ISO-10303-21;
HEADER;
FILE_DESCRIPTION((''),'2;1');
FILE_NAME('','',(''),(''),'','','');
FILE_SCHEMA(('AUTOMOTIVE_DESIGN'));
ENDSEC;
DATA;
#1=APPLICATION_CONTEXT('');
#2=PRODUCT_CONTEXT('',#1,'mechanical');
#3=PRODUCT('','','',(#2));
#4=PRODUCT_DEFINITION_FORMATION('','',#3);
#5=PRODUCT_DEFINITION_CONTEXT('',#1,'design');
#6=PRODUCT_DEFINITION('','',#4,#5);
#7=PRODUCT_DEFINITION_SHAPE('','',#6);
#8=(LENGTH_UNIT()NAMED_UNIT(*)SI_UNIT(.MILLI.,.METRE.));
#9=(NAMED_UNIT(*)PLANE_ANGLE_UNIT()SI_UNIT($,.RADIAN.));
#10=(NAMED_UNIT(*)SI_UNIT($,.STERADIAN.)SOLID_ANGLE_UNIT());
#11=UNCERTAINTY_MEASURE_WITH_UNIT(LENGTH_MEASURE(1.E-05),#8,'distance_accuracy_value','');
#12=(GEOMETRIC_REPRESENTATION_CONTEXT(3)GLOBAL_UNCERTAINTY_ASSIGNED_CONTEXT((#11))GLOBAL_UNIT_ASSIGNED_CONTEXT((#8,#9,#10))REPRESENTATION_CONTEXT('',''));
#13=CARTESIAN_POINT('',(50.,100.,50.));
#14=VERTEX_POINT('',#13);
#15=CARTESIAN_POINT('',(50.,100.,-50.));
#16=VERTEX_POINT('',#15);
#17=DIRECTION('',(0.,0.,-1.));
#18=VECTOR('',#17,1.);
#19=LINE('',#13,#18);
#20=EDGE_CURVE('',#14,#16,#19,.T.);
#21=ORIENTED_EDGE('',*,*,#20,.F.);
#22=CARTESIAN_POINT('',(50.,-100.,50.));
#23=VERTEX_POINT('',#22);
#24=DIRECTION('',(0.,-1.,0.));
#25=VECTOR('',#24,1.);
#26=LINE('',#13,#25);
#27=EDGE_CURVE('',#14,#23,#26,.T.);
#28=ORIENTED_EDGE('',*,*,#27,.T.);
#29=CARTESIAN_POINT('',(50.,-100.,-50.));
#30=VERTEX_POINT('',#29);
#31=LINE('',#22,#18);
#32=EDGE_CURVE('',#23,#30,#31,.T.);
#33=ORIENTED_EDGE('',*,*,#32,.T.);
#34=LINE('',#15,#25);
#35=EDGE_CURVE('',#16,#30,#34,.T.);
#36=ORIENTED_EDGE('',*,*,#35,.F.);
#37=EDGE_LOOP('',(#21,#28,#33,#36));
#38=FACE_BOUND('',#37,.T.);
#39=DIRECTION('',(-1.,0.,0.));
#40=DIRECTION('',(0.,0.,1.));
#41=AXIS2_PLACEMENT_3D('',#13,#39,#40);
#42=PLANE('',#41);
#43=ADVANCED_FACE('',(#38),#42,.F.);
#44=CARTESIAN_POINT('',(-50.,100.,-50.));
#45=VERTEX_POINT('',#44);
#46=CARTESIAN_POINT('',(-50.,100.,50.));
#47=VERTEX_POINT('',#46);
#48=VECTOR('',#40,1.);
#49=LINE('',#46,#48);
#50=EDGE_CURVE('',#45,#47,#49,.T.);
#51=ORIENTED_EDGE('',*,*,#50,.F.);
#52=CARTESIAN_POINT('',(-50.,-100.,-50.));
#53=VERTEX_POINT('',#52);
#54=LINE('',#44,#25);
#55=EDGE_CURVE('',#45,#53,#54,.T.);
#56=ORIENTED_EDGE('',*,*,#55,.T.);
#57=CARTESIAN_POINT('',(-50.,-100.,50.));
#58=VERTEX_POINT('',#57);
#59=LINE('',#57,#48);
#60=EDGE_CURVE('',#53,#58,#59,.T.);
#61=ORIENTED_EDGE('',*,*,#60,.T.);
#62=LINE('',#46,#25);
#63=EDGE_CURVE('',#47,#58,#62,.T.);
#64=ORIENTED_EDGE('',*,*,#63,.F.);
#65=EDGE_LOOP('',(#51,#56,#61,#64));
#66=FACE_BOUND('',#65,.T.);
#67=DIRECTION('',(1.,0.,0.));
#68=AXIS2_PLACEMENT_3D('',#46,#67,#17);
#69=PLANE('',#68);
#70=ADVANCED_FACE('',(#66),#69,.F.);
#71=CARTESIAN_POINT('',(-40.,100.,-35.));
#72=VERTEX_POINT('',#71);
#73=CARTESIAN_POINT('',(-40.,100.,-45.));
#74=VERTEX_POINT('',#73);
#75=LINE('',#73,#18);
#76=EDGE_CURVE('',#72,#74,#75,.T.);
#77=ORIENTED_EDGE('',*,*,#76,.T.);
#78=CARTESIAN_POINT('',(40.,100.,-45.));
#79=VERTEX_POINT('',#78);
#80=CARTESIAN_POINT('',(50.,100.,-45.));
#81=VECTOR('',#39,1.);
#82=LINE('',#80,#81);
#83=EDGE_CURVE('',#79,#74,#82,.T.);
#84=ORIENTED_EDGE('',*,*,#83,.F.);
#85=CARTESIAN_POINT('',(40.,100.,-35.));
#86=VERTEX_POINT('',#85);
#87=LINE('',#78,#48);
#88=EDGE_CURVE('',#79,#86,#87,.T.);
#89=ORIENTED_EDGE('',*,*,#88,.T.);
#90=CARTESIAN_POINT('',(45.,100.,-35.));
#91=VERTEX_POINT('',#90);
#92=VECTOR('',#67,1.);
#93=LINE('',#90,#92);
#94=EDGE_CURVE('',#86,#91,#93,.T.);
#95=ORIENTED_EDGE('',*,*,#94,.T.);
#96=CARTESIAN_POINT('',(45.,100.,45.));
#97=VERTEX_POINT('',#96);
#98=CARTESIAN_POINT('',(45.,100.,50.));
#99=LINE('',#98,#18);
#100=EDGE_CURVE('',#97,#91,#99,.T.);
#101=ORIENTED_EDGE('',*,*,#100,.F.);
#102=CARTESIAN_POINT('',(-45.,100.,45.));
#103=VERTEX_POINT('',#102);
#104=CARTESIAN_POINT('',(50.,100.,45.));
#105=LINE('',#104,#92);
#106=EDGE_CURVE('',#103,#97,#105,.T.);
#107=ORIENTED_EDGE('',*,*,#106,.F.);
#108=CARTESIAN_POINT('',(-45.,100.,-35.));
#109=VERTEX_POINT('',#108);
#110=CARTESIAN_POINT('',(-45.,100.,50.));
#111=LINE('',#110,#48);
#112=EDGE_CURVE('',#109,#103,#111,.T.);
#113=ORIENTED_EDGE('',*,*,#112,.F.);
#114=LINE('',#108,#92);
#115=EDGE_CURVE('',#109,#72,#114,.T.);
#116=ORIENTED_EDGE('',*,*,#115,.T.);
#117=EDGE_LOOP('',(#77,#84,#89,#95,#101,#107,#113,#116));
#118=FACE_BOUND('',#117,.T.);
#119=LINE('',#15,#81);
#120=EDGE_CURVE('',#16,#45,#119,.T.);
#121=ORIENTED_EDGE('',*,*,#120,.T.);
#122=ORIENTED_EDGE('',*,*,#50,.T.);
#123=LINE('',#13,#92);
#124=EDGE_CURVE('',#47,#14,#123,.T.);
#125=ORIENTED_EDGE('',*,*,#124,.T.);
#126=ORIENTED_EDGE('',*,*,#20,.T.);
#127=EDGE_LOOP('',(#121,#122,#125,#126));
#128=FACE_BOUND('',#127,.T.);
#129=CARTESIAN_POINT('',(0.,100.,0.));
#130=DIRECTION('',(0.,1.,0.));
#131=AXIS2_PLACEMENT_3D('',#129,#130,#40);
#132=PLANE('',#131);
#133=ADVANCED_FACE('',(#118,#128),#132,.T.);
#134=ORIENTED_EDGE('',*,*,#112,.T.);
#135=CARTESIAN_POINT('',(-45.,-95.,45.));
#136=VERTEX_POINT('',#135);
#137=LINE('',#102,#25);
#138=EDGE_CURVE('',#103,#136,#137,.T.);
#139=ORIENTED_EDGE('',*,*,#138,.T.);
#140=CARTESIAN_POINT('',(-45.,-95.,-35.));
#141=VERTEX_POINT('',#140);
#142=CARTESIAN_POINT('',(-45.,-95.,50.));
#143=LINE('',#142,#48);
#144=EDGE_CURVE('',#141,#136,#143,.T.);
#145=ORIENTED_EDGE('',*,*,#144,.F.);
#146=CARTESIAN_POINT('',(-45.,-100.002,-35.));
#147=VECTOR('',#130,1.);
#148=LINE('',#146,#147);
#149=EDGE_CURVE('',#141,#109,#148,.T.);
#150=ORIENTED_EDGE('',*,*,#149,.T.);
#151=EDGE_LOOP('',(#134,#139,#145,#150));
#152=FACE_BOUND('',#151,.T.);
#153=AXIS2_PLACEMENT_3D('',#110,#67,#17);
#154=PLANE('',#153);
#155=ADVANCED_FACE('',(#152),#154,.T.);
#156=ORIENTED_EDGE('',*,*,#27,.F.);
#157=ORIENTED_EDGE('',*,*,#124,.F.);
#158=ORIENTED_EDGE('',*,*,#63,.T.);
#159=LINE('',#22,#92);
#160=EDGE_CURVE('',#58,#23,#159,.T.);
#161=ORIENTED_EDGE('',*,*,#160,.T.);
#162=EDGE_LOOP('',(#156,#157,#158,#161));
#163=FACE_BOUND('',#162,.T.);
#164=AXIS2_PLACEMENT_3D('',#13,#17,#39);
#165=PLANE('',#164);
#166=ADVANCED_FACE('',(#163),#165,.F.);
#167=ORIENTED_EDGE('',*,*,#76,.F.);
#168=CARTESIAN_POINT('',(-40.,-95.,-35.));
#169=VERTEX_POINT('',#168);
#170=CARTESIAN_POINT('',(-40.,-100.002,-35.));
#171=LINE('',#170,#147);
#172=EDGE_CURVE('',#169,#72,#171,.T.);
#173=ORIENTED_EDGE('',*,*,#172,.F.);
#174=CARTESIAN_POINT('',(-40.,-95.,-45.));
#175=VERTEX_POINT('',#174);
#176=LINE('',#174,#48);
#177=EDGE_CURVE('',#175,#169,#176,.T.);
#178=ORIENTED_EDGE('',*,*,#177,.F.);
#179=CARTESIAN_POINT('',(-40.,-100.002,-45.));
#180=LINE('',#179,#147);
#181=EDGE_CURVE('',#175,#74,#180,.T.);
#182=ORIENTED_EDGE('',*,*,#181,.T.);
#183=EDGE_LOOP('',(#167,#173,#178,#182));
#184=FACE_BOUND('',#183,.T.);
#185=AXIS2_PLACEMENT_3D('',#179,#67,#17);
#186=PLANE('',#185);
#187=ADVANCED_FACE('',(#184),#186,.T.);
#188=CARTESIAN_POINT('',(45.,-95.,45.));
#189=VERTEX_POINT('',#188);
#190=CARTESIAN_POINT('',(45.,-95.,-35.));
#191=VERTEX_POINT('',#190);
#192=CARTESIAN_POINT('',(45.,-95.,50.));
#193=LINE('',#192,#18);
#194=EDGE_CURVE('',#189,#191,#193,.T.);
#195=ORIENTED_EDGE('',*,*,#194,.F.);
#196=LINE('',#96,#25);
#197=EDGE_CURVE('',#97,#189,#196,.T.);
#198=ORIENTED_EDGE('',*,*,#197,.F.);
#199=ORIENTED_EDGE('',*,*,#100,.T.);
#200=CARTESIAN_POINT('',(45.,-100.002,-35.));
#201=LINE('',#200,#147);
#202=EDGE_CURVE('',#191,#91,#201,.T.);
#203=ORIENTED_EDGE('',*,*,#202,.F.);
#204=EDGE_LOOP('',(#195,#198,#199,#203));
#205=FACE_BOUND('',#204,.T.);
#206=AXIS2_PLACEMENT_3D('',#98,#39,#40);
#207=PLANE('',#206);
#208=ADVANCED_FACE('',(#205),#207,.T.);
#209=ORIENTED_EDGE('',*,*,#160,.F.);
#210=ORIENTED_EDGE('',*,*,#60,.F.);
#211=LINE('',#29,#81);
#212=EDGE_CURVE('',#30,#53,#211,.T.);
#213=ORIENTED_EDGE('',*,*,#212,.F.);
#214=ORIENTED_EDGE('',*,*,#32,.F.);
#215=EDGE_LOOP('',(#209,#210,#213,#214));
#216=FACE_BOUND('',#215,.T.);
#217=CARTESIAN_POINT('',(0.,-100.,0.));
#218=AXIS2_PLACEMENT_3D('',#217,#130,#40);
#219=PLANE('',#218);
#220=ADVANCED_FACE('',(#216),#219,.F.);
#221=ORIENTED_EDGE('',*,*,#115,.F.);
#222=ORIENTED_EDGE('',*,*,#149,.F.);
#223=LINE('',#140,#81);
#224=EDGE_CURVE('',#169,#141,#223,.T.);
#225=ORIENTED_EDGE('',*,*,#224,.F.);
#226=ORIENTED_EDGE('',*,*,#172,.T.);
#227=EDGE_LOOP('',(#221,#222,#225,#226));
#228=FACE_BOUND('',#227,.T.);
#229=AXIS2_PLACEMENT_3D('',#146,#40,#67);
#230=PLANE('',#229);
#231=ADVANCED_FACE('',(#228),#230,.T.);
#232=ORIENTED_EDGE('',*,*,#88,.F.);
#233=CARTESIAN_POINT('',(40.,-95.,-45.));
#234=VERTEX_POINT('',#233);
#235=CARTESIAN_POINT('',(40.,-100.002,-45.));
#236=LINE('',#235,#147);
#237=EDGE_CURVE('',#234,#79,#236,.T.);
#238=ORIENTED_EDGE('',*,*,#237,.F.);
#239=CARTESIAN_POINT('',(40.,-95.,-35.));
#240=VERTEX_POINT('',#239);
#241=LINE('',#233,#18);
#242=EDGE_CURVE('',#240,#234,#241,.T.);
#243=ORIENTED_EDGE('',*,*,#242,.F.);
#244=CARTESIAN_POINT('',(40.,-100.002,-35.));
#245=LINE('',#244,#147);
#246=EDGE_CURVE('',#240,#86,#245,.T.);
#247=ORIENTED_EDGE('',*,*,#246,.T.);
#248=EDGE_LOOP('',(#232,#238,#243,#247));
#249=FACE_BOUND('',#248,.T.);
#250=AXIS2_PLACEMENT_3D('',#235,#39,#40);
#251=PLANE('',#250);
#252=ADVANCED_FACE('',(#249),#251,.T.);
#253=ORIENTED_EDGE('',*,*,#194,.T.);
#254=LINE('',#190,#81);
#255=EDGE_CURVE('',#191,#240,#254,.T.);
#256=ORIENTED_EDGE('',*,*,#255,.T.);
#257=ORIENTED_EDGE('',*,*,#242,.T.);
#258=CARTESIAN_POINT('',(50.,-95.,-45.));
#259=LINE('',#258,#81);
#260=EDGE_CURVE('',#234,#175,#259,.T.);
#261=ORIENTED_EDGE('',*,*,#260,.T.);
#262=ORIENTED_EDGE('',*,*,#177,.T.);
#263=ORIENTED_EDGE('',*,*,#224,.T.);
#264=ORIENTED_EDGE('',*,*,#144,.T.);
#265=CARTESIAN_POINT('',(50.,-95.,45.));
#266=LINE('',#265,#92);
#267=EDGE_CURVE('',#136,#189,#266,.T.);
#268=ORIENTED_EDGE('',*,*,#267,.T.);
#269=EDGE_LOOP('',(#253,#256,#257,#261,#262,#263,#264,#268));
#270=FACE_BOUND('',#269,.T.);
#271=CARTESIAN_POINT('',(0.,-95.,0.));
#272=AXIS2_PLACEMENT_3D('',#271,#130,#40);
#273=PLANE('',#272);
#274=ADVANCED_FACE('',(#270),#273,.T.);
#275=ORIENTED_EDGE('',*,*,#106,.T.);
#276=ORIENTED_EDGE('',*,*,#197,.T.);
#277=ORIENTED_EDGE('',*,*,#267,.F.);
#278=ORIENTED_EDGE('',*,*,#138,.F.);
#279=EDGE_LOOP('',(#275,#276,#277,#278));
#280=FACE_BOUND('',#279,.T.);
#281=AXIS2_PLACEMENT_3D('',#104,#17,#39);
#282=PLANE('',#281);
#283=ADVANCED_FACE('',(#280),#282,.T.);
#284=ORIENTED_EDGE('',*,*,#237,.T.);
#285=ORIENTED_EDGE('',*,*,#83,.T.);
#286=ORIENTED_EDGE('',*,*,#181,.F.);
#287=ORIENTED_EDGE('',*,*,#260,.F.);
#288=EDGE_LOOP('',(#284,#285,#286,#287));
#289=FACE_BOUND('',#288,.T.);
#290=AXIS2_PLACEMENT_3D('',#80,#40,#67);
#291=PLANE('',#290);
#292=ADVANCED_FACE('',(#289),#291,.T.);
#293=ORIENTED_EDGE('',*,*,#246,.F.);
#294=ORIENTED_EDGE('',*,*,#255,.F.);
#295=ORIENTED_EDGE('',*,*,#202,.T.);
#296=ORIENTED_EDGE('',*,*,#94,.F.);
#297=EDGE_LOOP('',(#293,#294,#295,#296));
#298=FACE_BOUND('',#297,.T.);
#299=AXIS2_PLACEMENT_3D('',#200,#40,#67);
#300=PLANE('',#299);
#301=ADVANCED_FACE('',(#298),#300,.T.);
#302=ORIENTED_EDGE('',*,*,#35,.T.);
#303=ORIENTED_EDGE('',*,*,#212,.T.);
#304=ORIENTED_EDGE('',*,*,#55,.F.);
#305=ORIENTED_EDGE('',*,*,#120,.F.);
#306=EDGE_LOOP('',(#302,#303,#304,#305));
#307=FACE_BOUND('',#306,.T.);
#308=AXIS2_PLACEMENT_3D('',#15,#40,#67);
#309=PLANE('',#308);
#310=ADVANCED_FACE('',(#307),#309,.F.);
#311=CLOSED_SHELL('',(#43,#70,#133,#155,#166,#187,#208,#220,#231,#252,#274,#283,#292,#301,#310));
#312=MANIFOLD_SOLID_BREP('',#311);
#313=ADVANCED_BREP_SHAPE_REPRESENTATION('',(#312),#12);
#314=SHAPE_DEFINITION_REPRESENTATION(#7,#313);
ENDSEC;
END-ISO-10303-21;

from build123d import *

# Parameters (mm, degrees)
SKETCH1_W           = 100
SKETCH1_H           = 100
BOSS_EXTRUDE1_DEPTH = 100
SHELL1_T            = -5
BOSS_EXTRUDE2_REACH = 214.132
SKETCH2_W           = 5
SKETCH2_H           = 10


with BuildPart() as part:
    # Sketch1 → Boss-Extrude1 (new, symmetric)
    with BuildSketch(Plane(origin=(0, 0, 0), x_dir=(-1, 0, 0), z_dir=(0, 1, 0))):
        Rectangle(SKETCH1_W, SKETCH1_H)
    extrude(amount=BOSS_EXTRUDE1_DEPTH, both=True)

    # Shell1
    shell1_openings = [part.faces().sort_by_distance(p)[0] for p in [
        (0, 100, 0),
    ]]
    offset(amount=SHELL1_T, openings=shell1_openings, kind=Kind.INTERSECTION)

    # Sketch2 → Boss-Extrude2 (add, up to next)
    with BuildSketch(Plane(origin=(0, 100, 0), x_dir=(-1, 0, 0), z_dir=(0, 1, 0)), mode=Mode.PRIVATE) as boss_extrude2_sk1:
        with Locations((-42.5, -40)):
            Rectangle(SKETCH2_W, SKETCH2_H)
    boss_extrude2_tool1 = extrude(boss_extrude2_sk1.sketch, amount=-BOSS_EXTRUDE2_REACH, mode=Mode.PRIVATE) - part.part
    # Sketch2 → Boss-Extrude2 (add, up to next)
    with BuildSketch(Plane(origin=(0, 100, 0), x_dir=(-1, 0, 0), z_dir=(0, 1, 0)), mode=Mode.PRIVATE) as boss_extrude2_sk2:
        with Locations((42.5, -40)):
            Rectangle(SKETCH2_W, SKETCH2_H)
    boss_extrude2_tool2 = extrude(boss_extrude2_sk2.sketch, amount=-BOSS_EXTRUDE2_REACH, mode=Mode.PRIVATE) - part.part
    add(boss_extrude2_tool1.solids().sort_by_distance((42.5, 100, -40))[0])
    add(boss_extrude2_tool2.solids().sort_by_distance((-42.5, 100, -40))[0])


solid = part.part
